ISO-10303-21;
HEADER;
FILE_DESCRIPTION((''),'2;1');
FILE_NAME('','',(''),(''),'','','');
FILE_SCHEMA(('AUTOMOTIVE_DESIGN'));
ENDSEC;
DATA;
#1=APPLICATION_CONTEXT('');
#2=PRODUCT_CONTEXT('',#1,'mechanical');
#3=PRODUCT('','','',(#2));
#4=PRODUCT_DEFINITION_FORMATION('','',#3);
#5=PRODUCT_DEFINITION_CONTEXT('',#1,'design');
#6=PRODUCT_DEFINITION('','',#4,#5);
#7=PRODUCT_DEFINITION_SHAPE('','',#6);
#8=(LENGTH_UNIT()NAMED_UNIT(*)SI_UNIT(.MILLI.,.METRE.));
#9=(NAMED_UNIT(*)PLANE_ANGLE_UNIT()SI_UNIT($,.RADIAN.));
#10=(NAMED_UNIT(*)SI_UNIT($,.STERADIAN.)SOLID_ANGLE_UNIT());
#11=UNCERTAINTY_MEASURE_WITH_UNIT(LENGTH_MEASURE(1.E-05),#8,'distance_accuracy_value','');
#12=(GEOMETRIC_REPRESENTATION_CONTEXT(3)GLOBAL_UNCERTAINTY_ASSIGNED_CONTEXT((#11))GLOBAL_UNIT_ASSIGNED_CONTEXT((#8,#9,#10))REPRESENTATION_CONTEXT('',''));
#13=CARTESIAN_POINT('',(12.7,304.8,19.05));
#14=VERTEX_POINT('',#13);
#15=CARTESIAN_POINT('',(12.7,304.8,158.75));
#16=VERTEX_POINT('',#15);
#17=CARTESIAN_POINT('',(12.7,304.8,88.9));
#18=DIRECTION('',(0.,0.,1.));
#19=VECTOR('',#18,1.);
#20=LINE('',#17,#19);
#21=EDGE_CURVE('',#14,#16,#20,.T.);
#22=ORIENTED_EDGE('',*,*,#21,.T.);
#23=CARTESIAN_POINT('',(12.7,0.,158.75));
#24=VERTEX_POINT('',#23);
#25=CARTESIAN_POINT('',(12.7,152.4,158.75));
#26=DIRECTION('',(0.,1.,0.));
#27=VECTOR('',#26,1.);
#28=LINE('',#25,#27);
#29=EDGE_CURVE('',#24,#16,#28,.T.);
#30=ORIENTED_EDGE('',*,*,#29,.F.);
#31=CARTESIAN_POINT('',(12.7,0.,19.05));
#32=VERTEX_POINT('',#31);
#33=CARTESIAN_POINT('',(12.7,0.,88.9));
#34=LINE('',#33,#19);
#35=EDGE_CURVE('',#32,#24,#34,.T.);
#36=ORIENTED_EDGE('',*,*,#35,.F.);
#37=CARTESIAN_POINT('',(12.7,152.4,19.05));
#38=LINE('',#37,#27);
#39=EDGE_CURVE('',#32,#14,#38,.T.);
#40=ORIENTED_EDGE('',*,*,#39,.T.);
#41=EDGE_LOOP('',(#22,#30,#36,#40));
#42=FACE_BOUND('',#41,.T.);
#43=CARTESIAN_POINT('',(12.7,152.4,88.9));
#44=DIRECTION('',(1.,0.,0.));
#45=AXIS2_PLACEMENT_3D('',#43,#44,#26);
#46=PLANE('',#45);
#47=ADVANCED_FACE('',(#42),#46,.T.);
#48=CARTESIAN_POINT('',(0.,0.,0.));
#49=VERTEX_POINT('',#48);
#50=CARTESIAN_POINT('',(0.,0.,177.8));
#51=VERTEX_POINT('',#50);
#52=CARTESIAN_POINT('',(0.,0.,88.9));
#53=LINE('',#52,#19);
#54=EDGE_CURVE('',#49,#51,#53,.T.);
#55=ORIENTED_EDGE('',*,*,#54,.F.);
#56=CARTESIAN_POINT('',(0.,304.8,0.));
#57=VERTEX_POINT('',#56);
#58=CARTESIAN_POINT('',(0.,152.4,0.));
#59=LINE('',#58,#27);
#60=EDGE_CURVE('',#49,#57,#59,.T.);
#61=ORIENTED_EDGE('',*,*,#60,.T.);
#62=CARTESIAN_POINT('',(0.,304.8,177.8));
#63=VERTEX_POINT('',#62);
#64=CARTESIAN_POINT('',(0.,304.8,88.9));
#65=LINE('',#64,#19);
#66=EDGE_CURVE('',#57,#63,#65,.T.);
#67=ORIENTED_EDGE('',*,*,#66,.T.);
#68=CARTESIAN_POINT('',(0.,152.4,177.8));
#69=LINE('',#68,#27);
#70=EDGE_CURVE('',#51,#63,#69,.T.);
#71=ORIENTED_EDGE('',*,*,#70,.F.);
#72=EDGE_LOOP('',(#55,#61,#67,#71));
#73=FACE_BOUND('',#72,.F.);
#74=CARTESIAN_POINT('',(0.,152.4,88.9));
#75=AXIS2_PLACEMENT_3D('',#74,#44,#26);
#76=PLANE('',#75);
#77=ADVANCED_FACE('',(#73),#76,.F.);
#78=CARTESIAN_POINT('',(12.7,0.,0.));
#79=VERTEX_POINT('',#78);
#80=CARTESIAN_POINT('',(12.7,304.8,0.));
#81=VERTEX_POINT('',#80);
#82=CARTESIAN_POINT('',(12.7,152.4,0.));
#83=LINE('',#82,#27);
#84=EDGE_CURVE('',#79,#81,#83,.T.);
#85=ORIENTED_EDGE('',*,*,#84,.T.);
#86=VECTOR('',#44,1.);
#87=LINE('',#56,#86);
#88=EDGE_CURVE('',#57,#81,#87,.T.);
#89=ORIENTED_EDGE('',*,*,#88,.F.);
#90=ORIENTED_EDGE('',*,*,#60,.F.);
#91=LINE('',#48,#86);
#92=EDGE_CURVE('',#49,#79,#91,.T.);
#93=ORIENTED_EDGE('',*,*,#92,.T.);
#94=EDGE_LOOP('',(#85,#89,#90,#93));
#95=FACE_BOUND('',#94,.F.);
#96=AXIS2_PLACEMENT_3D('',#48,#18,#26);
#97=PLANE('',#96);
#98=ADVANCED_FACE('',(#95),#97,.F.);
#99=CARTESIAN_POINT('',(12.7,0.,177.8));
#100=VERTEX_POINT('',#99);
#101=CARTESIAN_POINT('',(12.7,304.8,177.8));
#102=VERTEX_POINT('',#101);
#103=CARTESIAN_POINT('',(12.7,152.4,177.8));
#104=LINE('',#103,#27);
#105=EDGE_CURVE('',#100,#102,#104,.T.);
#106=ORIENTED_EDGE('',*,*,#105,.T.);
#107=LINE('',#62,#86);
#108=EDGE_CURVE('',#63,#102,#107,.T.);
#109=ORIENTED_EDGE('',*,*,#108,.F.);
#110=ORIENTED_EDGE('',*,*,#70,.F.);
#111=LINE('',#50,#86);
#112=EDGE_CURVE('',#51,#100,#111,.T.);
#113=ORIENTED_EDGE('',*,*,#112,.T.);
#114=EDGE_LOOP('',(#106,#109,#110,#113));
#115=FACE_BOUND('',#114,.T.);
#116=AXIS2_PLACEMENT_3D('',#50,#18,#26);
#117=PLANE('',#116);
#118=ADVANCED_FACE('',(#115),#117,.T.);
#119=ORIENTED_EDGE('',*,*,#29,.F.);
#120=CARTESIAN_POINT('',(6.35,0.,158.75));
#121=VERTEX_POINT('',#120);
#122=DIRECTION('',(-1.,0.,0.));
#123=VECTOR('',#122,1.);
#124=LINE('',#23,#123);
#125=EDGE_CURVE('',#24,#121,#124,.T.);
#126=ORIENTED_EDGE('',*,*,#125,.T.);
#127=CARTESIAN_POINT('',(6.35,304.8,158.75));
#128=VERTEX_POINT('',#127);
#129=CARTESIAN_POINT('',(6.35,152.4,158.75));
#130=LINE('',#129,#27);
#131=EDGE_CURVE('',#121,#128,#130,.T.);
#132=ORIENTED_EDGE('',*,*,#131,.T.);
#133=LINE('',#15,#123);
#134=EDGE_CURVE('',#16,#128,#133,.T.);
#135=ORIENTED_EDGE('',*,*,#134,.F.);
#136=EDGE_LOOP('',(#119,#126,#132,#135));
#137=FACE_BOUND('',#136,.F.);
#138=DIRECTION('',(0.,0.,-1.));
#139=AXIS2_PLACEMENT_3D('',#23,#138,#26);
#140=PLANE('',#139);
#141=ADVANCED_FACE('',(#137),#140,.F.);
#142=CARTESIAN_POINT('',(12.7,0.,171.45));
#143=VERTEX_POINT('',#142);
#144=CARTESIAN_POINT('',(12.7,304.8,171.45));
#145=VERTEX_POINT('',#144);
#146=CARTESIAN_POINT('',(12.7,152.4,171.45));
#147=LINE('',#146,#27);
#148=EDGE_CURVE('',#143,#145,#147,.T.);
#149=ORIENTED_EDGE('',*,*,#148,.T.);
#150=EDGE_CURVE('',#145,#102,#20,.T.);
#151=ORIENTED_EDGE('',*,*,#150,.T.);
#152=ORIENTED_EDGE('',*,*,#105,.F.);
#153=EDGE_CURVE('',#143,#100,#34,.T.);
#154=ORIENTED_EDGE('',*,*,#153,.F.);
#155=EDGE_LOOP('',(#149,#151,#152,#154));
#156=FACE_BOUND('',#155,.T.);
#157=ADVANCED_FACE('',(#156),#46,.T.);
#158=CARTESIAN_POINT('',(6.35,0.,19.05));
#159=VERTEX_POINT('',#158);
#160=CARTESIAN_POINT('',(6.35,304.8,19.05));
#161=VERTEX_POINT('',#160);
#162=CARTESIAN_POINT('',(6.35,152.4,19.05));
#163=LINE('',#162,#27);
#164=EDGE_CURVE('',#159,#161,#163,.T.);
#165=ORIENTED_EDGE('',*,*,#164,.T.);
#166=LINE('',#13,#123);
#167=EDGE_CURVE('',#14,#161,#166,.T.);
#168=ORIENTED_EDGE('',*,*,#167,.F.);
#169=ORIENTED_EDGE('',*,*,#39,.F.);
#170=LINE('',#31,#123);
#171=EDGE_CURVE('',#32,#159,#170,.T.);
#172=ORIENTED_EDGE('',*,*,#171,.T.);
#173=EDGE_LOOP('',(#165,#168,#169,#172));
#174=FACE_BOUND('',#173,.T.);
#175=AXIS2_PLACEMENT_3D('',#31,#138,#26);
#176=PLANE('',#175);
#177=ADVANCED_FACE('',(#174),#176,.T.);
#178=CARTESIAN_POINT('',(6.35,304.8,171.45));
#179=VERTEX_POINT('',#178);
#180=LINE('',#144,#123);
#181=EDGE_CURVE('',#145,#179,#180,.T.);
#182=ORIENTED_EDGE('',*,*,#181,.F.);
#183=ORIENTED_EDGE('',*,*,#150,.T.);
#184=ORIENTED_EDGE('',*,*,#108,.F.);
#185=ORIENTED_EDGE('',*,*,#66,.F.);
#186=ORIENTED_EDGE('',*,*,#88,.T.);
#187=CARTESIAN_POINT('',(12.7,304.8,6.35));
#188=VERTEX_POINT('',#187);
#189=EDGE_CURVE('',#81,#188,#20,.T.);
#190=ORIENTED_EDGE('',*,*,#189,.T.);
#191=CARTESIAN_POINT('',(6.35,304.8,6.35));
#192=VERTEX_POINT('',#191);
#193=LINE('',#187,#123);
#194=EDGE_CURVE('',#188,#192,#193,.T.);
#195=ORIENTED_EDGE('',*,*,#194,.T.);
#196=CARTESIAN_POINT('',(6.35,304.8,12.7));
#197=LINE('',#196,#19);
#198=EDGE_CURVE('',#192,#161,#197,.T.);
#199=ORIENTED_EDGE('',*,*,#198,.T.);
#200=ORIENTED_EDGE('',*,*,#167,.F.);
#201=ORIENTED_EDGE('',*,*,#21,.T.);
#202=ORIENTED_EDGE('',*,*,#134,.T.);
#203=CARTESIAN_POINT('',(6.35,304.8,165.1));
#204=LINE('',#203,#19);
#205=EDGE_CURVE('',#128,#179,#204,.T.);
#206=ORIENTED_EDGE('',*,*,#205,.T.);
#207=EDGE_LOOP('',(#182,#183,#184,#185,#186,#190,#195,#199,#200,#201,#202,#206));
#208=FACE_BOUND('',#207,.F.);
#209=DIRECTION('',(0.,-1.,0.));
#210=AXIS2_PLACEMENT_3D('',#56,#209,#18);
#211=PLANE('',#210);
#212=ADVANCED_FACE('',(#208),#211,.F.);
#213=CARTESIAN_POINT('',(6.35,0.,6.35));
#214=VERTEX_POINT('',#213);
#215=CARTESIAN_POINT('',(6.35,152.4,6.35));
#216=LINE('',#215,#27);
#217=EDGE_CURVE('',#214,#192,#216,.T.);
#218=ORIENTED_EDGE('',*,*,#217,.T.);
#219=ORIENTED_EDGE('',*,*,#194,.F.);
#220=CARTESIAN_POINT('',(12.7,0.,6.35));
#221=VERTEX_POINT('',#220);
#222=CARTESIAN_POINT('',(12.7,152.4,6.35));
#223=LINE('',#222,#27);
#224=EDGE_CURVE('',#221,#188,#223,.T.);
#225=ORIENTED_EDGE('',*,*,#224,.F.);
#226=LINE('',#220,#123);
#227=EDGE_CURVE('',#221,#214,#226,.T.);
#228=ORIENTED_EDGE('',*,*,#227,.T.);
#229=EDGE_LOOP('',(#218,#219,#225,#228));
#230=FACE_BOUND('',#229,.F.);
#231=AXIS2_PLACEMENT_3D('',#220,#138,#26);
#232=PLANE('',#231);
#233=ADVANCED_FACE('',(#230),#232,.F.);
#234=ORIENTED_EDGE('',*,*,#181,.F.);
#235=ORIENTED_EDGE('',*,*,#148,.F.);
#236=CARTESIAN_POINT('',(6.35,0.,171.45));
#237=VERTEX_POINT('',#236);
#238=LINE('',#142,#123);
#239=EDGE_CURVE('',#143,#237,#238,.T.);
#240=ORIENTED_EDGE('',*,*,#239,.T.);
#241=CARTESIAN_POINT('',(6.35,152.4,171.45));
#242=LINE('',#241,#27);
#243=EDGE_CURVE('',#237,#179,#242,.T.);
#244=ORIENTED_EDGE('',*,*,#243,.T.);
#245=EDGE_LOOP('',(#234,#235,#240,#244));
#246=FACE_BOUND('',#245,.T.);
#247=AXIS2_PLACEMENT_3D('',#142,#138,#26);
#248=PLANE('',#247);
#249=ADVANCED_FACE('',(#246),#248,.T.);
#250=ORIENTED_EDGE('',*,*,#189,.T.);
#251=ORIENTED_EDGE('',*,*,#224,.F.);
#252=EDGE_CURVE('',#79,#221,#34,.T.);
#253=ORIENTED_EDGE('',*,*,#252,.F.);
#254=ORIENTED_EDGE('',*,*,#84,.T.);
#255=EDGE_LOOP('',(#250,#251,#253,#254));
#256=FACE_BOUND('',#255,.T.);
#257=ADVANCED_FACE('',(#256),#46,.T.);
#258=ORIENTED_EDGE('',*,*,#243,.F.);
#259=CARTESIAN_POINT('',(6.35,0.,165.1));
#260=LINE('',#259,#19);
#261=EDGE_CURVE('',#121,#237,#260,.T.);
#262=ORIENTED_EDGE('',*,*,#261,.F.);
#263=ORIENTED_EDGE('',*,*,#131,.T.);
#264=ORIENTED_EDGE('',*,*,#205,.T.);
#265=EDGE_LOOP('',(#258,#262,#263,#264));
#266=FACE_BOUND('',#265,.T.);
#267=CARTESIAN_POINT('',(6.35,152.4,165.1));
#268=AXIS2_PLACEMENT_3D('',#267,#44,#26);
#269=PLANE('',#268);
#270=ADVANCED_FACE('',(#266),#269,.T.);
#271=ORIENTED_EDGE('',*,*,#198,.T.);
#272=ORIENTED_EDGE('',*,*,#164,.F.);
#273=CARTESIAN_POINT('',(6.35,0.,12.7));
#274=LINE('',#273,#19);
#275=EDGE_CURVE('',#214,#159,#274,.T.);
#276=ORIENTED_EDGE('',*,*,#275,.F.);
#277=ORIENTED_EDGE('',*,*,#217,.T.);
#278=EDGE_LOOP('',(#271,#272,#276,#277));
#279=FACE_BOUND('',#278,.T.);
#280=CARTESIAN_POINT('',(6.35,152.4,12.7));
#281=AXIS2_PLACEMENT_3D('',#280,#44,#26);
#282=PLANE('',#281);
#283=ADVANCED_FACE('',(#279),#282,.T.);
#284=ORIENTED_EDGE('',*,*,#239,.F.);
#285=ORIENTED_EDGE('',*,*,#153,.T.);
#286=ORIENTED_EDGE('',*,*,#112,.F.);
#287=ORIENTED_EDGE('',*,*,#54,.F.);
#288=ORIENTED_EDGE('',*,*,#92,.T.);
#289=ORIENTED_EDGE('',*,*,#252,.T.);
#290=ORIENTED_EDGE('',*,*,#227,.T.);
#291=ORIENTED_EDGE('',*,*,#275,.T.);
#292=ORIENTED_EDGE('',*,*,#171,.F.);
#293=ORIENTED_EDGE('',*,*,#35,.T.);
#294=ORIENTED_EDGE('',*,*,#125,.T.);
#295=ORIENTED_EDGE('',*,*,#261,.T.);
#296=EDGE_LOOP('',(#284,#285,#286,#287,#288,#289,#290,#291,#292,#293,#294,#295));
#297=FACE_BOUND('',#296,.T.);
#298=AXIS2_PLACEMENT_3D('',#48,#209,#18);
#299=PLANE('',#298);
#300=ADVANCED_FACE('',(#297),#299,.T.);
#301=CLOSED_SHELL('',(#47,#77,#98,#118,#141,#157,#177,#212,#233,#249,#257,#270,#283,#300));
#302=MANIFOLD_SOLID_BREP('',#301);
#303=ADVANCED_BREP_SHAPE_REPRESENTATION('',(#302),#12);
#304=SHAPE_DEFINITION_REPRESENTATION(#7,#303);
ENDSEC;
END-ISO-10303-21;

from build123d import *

# Parameters (mm, degrees)
F0_W     = 304.8
F0_H     = 177.8
F1_DEPTH = 12.7
F2_W     = 304.8
F2_H     = 12.7
F3_DEPTH = 6.35
F4_W     = 304.8
F4_H     = 12.7
F5_DEPTH = 6.35


with BuildPart() as f1:
    # F0 (on Right) → F1 (new body)
    with BuildSketch(Plane.YZ):
        with Locations((152.4, 88.9)):
            Rectangle(F0_W, F0_H)
    extrude(amount=F1_DEPTH)

    # F2 (on face) → F3 (cut)
    with BuildSketch(Plane.YZ.offset(12.7)):
        with Locations((152.4, 12.7)):
            Rectangle(F2_W, F2_H)
    extrude(amount=-F3_DEPTH, mode=Mode.SUBTRACT)

    # F4 (on face) → F5 (cut)
    with BuildSketch(Plane.YZ.offset(12.7)):
        with Locations((152.4, 165.1)):
            Rectangle(F4_W, F4_H)
    extrude(amount=-F5_DEPTH, mode=Mode.SUBTRACT)


solid = f1.part
